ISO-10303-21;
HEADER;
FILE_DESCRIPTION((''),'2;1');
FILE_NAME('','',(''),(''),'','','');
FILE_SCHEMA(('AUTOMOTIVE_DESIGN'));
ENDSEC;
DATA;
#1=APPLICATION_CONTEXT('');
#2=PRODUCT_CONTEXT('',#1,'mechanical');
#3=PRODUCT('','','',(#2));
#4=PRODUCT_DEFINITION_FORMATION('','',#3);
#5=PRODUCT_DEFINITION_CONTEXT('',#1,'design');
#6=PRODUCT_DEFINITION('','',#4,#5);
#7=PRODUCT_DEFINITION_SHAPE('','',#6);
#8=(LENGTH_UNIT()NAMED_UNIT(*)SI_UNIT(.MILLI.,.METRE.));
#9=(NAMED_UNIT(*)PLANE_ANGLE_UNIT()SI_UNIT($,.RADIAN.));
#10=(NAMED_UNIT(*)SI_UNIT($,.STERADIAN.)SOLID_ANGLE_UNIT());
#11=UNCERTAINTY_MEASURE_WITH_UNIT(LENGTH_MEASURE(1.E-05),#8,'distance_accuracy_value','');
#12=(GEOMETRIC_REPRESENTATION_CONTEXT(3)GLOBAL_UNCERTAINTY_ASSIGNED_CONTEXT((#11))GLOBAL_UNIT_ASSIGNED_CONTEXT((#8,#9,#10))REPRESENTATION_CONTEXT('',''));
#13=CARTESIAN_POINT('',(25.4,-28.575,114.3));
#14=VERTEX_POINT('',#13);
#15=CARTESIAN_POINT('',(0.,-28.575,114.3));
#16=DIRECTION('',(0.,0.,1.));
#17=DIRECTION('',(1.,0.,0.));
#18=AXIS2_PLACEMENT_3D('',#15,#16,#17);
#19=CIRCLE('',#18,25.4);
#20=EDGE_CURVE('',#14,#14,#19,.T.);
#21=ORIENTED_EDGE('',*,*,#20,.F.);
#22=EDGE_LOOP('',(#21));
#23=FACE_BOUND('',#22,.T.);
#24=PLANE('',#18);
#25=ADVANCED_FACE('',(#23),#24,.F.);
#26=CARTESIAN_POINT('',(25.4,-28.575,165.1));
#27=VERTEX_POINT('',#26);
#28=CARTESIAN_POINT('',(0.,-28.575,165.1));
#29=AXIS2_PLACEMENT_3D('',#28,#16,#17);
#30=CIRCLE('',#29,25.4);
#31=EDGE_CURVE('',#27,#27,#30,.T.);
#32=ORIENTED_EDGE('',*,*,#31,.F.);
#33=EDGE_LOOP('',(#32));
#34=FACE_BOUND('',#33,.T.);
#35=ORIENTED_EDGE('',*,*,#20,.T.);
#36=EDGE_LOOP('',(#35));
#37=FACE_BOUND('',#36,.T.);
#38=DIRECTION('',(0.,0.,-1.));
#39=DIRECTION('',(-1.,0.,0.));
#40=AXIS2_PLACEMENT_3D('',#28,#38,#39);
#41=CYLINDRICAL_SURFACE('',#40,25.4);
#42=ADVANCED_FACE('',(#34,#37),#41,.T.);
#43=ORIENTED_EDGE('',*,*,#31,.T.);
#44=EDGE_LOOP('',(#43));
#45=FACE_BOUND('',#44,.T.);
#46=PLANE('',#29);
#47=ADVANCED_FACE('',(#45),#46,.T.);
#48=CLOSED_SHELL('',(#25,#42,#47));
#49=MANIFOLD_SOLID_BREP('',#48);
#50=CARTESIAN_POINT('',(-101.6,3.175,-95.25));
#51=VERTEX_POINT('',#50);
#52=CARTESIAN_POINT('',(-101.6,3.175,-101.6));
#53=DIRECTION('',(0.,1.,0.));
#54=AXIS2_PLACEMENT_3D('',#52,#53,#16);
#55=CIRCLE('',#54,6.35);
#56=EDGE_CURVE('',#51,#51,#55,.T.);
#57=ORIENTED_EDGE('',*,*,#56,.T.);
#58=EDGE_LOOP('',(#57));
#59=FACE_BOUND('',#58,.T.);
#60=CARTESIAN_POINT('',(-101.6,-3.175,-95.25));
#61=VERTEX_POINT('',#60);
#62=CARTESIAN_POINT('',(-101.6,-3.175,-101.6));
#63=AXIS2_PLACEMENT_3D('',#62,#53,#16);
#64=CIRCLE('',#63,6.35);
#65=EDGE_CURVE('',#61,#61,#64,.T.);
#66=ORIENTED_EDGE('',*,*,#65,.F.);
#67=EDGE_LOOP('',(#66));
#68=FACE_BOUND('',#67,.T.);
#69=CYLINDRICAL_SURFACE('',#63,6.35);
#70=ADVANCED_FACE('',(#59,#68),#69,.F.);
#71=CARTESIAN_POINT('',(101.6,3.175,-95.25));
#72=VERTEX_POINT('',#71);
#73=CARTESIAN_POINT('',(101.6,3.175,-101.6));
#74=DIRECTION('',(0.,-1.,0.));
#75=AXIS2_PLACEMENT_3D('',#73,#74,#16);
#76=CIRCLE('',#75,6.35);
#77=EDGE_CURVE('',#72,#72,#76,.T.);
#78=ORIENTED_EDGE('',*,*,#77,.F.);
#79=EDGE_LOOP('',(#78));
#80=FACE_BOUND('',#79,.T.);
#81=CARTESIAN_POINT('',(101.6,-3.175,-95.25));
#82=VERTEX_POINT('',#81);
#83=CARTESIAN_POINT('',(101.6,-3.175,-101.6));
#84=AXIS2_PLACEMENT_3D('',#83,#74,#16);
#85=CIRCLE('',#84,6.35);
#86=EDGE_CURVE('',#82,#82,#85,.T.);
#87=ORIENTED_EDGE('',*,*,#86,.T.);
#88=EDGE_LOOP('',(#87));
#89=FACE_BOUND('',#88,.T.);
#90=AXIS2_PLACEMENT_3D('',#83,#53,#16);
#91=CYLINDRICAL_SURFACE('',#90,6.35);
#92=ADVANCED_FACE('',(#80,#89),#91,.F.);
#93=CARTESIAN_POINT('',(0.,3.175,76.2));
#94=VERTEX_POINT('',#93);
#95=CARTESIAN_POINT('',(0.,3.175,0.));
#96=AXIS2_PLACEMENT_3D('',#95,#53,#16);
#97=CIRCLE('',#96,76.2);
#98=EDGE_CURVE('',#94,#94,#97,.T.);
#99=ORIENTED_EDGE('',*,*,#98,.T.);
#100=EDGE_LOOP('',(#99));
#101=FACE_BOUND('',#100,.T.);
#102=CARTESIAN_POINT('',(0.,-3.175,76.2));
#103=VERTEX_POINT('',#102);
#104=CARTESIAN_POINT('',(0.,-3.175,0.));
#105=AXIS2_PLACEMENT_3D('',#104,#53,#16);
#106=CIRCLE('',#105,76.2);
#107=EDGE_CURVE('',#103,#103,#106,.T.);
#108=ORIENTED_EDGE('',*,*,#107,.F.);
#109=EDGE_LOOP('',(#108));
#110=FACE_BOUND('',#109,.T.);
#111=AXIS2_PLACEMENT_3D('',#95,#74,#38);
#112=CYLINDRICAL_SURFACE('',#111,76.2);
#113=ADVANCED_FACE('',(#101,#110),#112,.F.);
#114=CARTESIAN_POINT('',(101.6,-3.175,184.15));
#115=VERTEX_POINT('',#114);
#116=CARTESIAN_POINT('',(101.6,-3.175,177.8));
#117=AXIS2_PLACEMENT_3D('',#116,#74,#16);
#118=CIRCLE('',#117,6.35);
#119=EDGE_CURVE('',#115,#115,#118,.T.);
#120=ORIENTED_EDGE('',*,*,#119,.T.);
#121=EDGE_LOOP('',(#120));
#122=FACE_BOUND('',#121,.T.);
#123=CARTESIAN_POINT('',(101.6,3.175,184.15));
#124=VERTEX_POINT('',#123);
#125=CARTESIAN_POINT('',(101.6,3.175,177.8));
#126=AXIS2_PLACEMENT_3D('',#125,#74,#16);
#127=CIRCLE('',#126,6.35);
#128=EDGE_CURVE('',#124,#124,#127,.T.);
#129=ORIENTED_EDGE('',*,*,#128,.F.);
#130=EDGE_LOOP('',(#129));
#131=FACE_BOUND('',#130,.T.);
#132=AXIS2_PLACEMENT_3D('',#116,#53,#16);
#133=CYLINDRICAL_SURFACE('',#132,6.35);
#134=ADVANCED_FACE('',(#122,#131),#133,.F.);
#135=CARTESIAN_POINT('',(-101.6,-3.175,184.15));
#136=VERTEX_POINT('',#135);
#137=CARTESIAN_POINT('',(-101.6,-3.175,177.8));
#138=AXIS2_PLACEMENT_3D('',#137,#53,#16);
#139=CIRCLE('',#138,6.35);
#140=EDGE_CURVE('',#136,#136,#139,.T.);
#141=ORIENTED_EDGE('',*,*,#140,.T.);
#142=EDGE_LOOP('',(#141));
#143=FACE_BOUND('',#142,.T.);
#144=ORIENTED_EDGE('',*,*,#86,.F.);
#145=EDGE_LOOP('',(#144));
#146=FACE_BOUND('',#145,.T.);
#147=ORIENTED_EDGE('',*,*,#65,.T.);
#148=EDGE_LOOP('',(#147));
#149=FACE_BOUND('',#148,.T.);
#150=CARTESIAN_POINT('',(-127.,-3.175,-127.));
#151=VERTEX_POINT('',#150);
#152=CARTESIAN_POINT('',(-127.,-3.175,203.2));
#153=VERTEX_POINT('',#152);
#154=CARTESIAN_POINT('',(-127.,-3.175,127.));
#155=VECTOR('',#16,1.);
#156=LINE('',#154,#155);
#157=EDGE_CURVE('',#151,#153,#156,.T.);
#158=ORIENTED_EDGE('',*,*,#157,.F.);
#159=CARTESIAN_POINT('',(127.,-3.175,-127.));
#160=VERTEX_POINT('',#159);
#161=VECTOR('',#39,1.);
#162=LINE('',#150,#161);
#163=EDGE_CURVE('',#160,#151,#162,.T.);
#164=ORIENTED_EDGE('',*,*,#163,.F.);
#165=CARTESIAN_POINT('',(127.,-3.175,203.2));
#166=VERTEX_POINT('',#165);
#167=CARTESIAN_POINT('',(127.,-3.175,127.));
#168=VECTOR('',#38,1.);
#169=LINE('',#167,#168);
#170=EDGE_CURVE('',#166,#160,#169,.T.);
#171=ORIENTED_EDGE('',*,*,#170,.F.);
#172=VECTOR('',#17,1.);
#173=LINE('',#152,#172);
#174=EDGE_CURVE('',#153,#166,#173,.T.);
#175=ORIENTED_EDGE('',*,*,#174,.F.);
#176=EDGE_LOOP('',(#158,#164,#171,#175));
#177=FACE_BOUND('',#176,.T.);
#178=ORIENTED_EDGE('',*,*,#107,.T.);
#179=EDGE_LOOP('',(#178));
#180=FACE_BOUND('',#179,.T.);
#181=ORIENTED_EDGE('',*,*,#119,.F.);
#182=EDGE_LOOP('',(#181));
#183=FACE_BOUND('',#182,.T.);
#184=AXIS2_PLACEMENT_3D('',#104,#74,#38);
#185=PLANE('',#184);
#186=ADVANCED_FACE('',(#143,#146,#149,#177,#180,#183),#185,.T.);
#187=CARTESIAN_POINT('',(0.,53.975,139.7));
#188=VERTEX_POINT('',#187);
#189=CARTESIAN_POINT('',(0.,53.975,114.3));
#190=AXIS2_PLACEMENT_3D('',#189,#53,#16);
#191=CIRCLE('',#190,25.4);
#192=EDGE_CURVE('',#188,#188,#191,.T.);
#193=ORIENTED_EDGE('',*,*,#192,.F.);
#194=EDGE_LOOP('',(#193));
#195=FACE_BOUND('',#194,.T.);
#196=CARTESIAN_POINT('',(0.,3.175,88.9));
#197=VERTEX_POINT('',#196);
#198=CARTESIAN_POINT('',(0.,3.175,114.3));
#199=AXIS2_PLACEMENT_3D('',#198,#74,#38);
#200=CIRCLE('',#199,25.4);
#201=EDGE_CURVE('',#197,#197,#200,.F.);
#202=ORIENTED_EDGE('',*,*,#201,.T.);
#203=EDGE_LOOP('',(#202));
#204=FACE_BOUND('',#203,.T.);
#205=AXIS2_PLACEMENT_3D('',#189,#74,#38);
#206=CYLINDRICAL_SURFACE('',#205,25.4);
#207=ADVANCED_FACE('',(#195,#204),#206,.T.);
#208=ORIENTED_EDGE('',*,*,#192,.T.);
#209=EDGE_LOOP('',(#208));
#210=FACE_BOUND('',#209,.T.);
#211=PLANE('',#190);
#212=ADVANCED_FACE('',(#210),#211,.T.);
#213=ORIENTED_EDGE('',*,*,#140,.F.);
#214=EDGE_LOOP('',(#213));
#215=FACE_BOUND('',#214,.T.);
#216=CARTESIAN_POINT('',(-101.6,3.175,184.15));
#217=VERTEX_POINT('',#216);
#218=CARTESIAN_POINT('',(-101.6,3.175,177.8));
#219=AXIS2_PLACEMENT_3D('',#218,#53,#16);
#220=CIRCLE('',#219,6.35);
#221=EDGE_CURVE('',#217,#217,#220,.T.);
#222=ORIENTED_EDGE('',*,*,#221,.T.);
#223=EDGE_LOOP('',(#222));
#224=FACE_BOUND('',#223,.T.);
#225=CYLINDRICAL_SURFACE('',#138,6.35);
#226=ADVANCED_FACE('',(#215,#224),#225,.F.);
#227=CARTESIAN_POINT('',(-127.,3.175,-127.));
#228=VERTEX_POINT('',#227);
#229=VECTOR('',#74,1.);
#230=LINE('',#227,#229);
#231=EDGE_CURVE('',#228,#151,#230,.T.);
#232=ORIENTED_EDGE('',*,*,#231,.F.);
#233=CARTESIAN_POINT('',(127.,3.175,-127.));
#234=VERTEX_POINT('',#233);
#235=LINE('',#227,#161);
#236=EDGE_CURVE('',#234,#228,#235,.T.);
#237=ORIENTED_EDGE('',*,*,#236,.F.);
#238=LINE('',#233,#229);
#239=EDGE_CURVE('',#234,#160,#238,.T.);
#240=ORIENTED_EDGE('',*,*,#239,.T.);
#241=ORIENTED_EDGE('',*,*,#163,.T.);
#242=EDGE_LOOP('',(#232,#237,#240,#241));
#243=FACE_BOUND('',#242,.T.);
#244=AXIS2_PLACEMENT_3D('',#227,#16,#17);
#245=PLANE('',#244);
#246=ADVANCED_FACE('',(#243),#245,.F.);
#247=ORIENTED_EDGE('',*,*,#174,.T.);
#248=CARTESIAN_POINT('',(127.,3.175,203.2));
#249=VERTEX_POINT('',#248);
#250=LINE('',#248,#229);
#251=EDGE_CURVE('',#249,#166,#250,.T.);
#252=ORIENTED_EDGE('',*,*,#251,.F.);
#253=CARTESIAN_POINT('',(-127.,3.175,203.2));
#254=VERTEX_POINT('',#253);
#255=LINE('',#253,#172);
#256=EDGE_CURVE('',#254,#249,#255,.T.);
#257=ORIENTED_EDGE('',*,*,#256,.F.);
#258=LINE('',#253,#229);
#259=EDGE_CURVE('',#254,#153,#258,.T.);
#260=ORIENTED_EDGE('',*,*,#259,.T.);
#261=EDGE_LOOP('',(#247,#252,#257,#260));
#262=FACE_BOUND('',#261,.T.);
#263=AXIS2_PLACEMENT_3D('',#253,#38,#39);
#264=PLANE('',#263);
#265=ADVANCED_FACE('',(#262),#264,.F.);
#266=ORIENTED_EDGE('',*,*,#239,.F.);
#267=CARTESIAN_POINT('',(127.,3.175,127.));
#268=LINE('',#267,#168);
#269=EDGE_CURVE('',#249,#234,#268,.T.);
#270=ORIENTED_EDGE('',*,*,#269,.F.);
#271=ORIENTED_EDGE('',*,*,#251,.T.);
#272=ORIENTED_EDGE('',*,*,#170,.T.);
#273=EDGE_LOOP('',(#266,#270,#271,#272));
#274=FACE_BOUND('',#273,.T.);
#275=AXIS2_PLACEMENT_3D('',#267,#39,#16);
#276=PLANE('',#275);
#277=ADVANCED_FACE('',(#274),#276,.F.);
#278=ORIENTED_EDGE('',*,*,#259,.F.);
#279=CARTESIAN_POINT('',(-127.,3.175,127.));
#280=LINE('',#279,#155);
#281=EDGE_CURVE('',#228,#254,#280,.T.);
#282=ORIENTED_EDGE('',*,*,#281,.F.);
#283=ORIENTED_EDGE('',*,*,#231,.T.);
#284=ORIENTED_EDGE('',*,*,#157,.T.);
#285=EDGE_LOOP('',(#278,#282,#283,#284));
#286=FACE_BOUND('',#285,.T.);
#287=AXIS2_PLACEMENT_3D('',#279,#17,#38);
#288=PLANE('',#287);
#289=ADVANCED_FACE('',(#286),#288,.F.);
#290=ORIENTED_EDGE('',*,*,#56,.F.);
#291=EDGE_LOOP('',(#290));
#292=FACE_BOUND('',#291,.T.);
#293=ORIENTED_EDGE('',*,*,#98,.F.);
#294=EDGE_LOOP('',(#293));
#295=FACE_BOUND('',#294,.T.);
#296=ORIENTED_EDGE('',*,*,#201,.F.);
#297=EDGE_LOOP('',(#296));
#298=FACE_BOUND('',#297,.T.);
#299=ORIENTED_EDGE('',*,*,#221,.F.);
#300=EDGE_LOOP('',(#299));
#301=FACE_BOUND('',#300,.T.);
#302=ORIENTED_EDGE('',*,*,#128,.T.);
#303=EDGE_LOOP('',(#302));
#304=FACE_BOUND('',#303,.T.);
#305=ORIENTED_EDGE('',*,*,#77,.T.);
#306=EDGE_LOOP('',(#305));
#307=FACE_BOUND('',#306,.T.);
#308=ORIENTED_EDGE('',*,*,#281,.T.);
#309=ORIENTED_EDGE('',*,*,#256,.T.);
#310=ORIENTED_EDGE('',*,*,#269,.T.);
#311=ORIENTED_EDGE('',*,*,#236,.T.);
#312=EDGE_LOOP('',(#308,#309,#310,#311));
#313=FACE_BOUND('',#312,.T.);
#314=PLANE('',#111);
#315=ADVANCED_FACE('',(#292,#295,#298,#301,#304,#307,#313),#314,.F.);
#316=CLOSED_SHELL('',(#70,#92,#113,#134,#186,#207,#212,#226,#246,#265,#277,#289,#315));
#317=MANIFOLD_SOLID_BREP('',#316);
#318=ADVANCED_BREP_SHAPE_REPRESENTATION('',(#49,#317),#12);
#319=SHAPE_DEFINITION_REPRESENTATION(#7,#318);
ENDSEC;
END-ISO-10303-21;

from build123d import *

# Parameters (mm, degrees)
SKETCH1_R           = 76.2
BOSS_EXTRUDE1_DEPTH = 3.175
SKETCH2_R           = 25.4
BOSS_EXTRUDE2_DEPTH = 50.8
SKETCH3_R           = 6.35
CUT_EXTRUDE1_DEPTH  = 7.35
BOSS_EXTRUDE3_START = 114.3
SKETCH4_R           = 25.4
BOSS_EXTRUDE3_DEPTH = 50.8


with BuildPart() as part:
    # Sketch1 → Boss-Extrude1 (new body, symmetric)
    with BuildSketch(Plane(origin=(0, 0, 0), x_dir=(1, 0, 0), z_dir=(0, 1, 0))):
        Polygon((-127, -127), (-127, 127), (127, 127), (127, -127), (127, -203.2), (-127, -203.2), align=None)
        Circle(SKETCH1_R, mode=Mode.SUBTRACT)
    extrude(amount=BOSS_EXTRUDE1_DEPTH, both=True)

    # Sketch2 → Boss-Extrude2 (add)
    with BuildSketch(Plane(origin=(0, 3.175, 0), x_dir=(1, 0, 0), z_dir=(0, 1, 0))):
        with Locations((0, -114.3)):
            Circle(SKETCH2_R)
    extrude(amount=BOSS_EXTRUDE2_DEPTH)

    # Sketch3 → Cut-Extrude1 (cut, through all)
    with BuildSketch(Plane(origin=(0, 3.175, 0), x_dir=(1, 0, 0), z_dir=(0, 1, 0))):
        with Locations((-101.6, 101.6)):
            Circle(SKETCH3_R)
        with Locations((-101.6, -177.8)):
            Circle(SKETCH3_R)
    cut_extrude1 = extrude(amount=-CUT_EXTRUDE1_DEPTH, mode=Mode.SUBTRACT)

    # Mirror1: Cut-Extrude1 across plane
    add(cut_extrude1.mirror(Plane(origin=(0, 0, 0), x_dir=(0, 0, 1), z_dir=(1, 0, 0))), mode=Mode.SUBTRACT)


with BuildPart() as body_2:
    # Sketch4 → Boss-Extrude3 (new body)
    with BuildSketch(Plane.XY.offset(BOSS_EXTRUDE3_START)):
        with Locations((0, -28.575)):
            Circle(SKETCH4_R)
    extrude(amount=BOSS_EXTRUDE3_DEPTH)


solid = Compound([part.part, body_2.part])
